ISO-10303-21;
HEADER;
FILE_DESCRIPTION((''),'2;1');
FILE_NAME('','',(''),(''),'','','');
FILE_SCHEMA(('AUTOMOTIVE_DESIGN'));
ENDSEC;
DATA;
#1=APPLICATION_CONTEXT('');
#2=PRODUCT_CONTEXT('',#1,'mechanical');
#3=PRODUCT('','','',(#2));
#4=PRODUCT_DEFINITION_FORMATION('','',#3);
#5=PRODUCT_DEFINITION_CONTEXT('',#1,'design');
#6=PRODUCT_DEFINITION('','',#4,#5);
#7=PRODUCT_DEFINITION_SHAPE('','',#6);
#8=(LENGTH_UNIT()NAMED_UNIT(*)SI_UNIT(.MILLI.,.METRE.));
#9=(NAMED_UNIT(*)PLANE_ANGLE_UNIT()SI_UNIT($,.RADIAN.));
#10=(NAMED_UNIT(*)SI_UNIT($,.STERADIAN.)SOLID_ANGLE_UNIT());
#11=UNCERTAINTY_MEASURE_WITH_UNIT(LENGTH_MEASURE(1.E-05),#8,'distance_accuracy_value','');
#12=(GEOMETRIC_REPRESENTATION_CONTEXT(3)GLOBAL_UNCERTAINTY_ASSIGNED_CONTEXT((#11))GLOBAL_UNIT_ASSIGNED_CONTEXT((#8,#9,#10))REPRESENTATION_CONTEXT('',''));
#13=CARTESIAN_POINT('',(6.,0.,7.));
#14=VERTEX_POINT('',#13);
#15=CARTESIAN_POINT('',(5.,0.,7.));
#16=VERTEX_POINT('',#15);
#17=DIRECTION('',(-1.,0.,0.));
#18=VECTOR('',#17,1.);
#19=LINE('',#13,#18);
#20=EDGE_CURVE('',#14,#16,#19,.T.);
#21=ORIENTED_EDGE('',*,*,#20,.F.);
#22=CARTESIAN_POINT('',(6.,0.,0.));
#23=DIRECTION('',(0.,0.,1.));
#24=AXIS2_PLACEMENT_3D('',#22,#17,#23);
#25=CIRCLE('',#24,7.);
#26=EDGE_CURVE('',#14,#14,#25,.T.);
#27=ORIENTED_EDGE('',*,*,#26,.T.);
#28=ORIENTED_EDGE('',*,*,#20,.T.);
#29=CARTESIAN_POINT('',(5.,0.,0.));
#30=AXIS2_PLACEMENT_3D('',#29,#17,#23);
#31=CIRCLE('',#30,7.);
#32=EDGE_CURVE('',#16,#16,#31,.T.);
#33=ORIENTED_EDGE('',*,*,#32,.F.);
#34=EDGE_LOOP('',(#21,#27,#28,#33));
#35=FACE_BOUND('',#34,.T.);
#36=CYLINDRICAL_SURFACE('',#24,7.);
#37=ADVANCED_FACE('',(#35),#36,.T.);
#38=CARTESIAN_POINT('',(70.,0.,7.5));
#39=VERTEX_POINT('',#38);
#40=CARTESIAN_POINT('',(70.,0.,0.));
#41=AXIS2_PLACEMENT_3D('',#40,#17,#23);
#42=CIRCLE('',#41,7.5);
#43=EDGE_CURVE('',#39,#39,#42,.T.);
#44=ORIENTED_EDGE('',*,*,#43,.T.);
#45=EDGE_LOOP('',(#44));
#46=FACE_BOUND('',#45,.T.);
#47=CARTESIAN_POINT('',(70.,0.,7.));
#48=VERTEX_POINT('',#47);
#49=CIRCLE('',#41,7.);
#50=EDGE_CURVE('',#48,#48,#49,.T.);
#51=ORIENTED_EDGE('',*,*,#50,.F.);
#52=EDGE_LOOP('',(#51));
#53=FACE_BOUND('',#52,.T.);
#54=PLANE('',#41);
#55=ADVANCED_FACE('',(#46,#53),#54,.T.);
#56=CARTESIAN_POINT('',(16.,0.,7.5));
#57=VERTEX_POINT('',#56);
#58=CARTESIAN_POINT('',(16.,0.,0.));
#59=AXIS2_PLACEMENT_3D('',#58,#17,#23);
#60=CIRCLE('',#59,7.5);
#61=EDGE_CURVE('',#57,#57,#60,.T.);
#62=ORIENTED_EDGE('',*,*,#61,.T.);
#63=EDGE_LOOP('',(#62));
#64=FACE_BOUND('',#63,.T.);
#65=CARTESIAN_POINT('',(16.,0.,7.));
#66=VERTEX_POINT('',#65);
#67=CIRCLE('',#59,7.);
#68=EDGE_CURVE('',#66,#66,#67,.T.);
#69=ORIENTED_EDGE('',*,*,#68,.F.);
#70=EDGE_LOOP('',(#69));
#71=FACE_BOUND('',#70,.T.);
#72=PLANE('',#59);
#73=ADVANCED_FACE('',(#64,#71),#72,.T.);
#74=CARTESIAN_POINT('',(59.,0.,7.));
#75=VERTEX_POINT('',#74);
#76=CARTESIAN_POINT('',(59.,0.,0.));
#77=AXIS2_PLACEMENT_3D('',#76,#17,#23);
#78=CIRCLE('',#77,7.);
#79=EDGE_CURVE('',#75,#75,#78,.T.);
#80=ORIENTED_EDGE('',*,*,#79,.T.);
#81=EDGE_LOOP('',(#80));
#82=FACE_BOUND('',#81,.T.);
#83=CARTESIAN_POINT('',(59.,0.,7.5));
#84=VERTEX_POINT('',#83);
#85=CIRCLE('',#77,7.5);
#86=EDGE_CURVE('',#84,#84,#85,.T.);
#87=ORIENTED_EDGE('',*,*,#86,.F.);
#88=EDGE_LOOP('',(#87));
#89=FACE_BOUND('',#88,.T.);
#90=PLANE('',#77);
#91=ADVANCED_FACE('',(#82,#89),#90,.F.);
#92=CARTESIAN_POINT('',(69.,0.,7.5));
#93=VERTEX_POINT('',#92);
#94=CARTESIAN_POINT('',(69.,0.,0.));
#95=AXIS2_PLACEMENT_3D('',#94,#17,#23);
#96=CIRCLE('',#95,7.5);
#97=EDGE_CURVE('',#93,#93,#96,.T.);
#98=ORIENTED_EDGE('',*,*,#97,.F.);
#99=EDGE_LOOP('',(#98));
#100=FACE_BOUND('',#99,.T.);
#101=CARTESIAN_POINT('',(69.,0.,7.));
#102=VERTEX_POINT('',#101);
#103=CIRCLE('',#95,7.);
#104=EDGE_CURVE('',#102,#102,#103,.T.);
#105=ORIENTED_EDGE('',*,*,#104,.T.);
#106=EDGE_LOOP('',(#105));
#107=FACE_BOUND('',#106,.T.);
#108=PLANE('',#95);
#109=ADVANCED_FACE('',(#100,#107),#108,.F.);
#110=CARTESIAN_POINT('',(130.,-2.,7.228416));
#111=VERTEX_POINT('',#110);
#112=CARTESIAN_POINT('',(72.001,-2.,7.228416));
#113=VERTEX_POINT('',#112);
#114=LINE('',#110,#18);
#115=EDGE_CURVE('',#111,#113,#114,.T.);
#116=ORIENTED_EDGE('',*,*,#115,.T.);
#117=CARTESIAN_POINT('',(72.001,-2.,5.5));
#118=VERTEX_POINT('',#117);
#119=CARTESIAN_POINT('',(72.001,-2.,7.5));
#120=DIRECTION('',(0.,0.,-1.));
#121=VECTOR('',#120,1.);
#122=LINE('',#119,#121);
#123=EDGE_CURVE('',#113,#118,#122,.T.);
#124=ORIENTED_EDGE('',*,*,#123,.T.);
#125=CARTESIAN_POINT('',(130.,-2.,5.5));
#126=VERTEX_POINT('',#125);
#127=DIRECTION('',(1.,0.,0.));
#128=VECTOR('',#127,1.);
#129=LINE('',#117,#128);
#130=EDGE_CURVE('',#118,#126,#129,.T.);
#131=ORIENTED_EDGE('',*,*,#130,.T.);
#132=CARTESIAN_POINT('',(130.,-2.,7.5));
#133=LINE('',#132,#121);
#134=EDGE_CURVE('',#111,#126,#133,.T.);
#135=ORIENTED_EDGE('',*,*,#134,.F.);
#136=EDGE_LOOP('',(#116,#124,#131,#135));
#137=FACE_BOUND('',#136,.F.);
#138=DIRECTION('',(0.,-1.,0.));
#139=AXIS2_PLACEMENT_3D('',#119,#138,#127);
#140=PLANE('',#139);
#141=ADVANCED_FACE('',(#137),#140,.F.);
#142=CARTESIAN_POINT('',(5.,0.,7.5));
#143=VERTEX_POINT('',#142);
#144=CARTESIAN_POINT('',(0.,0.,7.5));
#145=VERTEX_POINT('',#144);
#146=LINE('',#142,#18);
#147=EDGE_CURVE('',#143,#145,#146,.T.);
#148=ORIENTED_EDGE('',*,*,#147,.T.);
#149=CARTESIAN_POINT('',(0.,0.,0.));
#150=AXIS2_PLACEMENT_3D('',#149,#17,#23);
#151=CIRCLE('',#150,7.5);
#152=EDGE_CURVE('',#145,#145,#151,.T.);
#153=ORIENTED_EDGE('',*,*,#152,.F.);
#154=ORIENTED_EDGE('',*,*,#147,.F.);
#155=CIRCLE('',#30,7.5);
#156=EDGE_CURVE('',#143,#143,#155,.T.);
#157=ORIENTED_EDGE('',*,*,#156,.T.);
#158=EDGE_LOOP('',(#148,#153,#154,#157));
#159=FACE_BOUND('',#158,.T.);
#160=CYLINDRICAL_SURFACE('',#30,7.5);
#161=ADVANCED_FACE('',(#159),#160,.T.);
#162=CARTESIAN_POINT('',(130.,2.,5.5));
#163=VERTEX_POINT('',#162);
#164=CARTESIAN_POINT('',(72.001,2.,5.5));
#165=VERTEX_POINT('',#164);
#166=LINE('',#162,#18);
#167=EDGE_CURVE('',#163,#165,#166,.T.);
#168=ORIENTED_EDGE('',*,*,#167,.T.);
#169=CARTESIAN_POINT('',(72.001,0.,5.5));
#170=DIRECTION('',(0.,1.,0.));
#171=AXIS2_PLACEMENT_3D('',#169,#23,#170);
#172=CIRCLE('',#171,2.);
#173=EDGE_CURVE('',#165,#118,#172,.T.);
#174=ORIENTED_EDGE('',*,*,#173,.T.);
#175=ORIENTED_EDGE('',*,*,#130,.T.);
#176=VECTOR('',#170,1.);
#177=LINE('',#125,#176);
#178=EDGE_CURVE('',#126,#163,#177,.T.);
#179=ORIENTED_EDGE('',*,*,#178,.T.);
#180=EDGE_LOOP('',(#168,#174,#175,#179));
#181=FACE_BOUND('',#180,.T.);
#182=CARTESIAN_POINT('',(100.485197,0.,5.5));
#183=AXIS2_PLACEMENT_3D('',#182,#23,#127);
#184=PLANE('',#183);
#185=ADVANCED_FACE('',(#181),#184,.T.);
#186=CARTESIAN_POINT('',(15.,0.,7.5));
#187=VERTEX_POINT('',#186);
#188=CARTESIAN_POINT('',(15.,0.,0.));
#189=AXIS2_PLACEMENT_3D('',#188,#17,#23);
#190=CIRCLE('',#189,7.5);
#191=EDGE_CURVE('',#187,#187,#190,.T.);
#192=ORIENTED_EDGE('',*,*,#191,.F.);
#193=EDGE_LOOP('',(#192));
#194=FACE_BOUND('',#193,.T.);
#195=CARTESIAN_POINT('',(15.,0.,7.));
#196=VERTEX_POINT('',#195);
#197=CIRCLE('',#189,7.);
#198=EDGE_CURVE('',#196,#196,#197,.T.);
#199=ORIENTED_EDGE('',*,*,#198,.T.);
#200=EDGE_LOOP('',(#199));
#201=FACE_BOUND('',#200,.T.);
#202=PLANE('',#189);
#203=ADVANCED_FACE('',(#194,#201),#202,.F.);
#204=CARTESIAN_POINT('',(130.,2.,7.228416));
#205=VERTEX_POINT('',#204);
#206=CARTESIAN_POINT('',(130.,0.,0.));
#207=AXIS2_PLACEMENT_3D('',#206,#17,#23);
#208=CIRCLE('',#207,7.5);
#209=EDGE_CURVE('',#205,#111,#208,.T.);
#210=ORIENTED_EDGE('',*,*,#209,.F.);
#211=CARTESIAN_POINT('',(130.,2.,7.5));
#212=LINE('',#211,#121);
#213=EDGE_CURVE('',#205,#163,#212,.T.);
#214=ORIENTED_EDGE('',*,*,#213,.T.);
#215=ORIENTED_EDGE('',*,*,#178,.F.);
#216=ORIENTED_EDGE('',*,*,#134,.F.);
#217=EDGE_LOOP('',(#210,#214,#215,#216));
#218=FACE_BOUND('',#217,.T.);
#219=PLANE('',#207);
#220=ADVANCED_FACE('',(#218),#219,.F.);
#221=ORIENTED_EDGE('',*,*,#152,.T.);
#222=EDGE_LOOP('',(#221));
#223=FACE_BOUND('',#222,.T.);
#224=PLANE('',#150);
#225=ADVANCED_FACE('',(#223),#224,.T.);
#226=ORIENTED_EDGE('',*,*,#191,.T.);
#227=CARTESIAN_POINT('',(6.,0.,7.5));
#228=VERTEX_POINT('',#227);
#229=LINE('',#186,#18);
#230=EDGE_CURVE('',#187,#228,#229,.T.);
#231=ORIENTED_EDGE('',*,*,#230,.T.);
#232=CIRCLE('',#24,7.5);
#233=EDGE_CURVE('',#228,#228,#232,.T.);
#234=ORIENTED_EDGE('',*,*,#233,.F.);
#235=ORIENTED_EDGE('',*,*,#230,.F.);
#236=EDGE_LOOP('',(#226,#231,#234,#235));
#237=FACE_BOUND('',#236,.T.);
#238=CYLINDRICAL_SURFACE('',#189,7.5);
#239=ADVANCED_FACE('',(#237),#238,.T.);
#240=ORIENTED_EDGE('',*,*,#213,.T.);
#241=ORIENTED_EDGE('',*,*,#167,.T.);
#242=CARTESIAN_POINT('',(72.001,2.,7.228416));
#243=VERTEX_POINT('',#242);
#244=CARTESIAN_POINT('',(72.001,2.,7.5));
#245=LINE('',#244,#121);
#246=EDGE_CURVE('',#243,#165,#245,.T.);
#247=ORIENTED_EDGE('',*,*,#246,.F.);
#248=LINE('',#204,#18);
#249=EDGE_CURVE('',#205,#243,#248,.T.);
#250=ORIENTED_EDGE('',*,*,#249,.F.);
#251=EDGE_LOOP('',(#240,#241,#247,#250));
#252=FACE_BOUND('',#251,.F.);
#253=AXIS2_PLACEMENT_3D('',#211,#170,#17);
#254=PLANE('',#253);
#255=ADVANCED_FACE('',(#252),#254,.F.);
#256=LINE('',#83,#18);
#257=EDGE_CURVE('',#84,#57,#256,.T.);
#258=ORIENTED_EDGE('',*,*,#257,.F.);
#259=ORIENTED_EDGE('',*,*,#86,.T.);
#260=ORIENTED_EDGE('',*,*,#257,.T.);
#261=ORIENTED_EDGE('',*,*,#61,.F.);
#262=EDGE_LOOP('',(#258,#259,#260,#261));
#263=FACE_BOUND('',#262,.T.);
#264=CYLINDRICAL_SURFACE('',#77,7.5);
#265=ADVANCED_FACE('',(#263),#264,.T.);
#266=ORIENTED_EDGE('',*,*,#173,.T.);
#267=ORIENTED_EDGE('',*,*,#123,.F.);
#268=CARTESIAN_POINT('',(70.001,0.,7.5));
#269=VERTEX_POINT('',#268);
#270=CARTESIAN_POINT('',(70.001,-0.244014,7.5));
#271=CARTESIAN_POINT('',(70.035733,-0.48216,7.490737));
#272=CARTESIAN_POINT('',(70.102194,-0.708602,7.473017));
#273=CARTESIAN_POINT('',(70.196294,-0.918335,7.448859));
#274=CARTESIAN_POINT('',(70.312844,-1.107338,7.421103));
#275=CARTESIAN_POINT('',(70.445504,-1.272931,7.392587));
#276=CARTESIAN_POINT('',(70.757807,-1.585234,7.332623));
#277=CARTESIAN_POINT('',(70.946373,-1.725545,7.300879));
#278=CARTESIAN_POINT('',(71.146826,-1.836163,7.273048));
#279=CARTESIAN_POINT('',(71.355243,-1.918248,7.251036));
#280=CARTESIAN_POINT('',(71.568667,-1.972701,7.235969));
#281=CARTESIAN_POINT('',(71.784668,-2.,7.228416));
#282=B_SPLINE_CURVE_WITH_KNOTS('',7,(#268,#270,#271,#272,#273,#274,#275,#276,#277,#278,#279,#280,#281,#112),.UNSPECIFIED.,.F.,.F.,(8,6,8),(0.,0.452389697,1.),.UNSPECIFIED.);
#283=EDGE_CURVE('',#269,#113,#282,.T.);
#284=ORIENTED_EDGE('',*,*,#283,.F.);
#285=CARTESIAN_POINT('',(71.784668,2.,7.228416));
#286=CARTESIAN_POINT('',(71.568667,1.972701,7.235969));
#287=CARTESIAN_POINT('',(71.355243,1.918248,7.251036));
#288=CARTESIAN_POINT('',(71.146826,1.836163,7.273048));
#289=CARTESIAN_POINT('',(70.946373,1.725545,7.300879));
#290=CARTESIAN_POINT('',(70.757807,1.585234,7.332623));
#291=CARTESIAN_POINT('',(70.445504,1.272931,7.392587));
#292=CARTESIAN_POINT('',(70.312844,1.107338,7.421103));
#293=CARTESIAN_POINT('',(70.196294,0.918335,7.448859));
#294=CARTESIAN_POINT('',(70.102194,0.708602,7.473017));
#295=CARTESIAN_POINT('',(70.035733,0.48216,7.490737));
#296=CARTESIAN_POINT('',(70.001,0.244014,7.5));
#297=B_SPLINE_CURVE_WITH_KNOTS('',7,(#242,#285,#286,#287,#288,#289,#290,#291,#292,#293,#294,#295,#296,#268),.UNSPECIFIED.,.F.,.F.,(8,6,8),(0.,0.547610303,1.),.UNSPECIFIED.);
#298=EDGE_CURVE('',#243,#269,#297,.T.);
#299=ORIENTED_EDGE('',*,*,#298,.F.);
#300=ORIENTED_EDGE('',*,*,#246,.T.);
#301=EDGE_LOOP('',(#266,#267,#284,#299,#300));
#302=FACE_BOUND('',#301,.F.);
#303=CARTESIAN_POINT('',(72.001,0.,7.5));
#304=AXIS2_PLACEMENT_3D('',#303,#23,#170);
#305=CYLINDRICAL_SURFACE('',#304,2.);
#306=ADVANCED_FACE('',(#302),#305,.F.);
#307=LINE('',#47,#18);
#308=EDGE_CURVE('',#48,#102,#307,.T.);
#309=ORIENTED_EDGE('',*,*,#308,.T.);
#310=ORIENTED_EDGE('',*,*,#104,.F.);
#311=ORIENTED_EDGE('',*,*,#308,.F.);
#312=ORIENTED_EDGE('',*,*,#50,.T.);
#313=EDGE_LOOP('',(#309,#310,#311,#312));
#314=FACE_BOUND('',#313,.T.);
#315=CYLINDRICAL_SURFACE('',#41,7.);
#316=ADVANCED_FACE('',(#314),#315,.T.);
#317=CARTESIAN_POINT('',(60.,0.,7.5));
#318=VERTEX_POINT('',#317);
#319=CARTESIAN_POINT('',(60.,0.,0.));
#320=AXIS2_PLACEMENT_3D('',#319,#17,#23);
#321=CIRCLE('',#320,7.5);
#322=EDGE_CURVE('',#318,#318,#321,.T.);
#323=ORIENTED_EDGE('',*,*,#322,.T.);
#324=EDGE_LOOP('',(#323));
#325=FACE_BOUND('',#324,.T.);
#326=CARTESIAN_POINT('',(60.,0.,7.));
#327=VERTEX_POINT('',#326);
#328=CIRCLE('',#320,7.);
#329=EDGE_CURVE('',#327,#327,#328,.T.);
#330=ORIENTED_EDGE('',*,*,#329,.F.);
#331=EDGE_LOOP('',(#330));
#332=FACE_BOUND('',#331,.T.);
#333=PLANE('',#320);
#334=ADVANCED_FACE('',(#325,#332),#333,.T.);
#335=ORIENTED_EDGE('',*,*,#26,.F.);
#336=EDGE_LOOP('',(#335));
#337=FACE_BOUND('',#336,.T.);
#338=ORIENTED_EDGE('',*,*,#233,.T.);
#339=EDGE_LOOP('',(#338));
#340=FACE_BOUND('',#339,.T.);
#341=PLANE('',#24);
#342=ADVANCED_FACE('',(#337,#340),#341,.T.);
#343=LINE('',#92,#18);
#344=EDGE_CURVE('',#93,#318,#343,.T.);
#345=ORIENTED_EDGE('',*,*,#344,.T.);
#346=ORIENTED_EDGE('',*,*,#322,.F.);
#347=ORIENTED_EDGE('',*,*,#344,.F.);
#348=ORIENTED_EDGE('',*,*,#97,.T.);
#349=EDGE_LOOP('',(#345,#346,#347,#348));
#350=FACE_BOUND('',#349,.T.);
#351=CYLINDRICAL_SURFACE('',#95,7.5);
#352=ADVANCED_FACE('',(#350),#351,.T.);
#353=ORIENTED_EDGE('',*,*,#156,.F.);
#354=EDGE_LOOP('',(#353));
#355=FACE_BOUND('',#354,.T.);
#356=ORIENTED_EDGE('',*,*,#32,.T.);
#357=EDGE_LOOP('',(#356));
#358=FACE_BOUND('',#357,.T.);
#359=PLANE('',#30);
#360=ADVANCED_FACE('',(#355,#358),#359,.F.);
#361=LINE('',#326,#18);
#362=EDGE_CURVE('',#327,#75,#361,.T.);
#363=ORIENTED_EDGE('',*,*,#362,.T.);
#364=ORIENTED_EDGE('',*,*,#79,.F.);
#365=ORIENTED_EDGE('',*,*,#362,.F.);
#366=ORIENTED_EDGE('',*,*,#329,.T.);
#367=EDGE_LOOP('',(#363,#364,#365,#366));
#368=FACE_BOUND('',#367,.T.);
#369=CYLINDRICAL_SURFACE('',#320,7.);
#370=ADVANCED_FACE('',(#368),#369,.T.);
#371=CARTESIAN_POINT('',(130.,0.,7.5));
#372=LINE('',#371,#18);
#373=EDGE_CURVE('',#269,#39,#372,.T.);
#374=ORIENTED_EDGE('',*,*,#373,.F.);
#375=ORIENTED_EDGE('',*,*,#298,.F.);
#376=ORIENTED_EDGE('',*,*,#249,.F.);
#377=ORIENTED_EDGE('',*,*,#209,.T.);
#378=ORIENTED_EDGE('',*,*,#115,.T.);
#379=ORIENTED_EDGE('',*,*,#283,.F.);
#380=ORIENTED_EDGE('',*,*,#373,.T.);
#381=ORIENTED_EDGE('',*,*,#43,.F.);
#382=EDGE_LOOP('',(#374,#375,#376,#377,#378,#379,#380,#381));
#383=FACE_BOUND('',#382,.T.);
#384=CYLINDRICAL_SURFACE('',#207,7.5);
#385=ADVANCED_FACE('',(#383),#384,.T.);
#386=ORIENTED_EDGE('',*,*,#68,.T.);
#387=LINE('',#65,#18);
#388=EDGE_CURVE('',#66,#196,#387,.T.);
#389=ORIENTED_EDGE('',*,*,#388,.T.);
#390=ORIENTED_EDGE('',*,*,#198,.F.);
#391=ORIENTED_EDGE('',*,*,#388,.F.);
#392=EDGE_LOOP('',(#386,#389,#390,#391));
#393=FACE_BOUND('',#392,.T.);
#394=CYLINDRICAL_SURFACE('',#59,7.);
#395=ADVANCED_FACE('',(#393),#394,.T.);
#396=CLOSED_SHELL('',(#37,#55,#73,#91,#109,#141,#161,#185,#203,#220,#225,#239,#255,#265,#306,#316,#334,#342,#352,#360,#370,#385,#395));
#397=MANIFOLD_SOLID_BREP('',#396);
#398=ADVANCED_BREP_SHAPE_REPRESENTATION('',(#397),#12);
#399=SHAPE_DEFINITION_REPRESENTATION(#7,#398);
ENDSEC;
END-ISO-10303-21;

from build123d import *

# Parameters (mm, degrees)
F4_DEPTH = 2


with BuildPart() as f1:
    # F0 (on Front) → F1 (revolve)
    with BuildSketch(Plane.XZ):
        Polygon((0, 7.5), (0, 0), (130, 0), (130, 7.5), (70, 7.5), (70, 7), (69, 7), (69, 7.5), (60, 7.5), (60, 7), (59, 7), (59, 7.5), (16, 7.5), (16, 7), (15, 7), (15, 7.5), (6, 7.5), (6, 7), (5, 7), (5, 7.5), align=None)
    revolve(axis=Axis((65, 0, 0), (-1, 0, 0)))

    # F3 (on offset) → F4 (cut)
    with BuildSketch(Plane.XY.offset(7.5)):
        with BuildLine():
            Line((130, -2), (130, 0))
            Line((130, 0), (130, 2))
            Line((130, 2), (72.001, 2))
            ThreePointArc((72.001, 2), (70.001, 0), (72.001, -2))
            Line((72.001, -2), (130, -2))
        make_face()
    extrude(amount=-F4_DEPTH, mode=Mode.SUBTRACT)


solid = f1.part
